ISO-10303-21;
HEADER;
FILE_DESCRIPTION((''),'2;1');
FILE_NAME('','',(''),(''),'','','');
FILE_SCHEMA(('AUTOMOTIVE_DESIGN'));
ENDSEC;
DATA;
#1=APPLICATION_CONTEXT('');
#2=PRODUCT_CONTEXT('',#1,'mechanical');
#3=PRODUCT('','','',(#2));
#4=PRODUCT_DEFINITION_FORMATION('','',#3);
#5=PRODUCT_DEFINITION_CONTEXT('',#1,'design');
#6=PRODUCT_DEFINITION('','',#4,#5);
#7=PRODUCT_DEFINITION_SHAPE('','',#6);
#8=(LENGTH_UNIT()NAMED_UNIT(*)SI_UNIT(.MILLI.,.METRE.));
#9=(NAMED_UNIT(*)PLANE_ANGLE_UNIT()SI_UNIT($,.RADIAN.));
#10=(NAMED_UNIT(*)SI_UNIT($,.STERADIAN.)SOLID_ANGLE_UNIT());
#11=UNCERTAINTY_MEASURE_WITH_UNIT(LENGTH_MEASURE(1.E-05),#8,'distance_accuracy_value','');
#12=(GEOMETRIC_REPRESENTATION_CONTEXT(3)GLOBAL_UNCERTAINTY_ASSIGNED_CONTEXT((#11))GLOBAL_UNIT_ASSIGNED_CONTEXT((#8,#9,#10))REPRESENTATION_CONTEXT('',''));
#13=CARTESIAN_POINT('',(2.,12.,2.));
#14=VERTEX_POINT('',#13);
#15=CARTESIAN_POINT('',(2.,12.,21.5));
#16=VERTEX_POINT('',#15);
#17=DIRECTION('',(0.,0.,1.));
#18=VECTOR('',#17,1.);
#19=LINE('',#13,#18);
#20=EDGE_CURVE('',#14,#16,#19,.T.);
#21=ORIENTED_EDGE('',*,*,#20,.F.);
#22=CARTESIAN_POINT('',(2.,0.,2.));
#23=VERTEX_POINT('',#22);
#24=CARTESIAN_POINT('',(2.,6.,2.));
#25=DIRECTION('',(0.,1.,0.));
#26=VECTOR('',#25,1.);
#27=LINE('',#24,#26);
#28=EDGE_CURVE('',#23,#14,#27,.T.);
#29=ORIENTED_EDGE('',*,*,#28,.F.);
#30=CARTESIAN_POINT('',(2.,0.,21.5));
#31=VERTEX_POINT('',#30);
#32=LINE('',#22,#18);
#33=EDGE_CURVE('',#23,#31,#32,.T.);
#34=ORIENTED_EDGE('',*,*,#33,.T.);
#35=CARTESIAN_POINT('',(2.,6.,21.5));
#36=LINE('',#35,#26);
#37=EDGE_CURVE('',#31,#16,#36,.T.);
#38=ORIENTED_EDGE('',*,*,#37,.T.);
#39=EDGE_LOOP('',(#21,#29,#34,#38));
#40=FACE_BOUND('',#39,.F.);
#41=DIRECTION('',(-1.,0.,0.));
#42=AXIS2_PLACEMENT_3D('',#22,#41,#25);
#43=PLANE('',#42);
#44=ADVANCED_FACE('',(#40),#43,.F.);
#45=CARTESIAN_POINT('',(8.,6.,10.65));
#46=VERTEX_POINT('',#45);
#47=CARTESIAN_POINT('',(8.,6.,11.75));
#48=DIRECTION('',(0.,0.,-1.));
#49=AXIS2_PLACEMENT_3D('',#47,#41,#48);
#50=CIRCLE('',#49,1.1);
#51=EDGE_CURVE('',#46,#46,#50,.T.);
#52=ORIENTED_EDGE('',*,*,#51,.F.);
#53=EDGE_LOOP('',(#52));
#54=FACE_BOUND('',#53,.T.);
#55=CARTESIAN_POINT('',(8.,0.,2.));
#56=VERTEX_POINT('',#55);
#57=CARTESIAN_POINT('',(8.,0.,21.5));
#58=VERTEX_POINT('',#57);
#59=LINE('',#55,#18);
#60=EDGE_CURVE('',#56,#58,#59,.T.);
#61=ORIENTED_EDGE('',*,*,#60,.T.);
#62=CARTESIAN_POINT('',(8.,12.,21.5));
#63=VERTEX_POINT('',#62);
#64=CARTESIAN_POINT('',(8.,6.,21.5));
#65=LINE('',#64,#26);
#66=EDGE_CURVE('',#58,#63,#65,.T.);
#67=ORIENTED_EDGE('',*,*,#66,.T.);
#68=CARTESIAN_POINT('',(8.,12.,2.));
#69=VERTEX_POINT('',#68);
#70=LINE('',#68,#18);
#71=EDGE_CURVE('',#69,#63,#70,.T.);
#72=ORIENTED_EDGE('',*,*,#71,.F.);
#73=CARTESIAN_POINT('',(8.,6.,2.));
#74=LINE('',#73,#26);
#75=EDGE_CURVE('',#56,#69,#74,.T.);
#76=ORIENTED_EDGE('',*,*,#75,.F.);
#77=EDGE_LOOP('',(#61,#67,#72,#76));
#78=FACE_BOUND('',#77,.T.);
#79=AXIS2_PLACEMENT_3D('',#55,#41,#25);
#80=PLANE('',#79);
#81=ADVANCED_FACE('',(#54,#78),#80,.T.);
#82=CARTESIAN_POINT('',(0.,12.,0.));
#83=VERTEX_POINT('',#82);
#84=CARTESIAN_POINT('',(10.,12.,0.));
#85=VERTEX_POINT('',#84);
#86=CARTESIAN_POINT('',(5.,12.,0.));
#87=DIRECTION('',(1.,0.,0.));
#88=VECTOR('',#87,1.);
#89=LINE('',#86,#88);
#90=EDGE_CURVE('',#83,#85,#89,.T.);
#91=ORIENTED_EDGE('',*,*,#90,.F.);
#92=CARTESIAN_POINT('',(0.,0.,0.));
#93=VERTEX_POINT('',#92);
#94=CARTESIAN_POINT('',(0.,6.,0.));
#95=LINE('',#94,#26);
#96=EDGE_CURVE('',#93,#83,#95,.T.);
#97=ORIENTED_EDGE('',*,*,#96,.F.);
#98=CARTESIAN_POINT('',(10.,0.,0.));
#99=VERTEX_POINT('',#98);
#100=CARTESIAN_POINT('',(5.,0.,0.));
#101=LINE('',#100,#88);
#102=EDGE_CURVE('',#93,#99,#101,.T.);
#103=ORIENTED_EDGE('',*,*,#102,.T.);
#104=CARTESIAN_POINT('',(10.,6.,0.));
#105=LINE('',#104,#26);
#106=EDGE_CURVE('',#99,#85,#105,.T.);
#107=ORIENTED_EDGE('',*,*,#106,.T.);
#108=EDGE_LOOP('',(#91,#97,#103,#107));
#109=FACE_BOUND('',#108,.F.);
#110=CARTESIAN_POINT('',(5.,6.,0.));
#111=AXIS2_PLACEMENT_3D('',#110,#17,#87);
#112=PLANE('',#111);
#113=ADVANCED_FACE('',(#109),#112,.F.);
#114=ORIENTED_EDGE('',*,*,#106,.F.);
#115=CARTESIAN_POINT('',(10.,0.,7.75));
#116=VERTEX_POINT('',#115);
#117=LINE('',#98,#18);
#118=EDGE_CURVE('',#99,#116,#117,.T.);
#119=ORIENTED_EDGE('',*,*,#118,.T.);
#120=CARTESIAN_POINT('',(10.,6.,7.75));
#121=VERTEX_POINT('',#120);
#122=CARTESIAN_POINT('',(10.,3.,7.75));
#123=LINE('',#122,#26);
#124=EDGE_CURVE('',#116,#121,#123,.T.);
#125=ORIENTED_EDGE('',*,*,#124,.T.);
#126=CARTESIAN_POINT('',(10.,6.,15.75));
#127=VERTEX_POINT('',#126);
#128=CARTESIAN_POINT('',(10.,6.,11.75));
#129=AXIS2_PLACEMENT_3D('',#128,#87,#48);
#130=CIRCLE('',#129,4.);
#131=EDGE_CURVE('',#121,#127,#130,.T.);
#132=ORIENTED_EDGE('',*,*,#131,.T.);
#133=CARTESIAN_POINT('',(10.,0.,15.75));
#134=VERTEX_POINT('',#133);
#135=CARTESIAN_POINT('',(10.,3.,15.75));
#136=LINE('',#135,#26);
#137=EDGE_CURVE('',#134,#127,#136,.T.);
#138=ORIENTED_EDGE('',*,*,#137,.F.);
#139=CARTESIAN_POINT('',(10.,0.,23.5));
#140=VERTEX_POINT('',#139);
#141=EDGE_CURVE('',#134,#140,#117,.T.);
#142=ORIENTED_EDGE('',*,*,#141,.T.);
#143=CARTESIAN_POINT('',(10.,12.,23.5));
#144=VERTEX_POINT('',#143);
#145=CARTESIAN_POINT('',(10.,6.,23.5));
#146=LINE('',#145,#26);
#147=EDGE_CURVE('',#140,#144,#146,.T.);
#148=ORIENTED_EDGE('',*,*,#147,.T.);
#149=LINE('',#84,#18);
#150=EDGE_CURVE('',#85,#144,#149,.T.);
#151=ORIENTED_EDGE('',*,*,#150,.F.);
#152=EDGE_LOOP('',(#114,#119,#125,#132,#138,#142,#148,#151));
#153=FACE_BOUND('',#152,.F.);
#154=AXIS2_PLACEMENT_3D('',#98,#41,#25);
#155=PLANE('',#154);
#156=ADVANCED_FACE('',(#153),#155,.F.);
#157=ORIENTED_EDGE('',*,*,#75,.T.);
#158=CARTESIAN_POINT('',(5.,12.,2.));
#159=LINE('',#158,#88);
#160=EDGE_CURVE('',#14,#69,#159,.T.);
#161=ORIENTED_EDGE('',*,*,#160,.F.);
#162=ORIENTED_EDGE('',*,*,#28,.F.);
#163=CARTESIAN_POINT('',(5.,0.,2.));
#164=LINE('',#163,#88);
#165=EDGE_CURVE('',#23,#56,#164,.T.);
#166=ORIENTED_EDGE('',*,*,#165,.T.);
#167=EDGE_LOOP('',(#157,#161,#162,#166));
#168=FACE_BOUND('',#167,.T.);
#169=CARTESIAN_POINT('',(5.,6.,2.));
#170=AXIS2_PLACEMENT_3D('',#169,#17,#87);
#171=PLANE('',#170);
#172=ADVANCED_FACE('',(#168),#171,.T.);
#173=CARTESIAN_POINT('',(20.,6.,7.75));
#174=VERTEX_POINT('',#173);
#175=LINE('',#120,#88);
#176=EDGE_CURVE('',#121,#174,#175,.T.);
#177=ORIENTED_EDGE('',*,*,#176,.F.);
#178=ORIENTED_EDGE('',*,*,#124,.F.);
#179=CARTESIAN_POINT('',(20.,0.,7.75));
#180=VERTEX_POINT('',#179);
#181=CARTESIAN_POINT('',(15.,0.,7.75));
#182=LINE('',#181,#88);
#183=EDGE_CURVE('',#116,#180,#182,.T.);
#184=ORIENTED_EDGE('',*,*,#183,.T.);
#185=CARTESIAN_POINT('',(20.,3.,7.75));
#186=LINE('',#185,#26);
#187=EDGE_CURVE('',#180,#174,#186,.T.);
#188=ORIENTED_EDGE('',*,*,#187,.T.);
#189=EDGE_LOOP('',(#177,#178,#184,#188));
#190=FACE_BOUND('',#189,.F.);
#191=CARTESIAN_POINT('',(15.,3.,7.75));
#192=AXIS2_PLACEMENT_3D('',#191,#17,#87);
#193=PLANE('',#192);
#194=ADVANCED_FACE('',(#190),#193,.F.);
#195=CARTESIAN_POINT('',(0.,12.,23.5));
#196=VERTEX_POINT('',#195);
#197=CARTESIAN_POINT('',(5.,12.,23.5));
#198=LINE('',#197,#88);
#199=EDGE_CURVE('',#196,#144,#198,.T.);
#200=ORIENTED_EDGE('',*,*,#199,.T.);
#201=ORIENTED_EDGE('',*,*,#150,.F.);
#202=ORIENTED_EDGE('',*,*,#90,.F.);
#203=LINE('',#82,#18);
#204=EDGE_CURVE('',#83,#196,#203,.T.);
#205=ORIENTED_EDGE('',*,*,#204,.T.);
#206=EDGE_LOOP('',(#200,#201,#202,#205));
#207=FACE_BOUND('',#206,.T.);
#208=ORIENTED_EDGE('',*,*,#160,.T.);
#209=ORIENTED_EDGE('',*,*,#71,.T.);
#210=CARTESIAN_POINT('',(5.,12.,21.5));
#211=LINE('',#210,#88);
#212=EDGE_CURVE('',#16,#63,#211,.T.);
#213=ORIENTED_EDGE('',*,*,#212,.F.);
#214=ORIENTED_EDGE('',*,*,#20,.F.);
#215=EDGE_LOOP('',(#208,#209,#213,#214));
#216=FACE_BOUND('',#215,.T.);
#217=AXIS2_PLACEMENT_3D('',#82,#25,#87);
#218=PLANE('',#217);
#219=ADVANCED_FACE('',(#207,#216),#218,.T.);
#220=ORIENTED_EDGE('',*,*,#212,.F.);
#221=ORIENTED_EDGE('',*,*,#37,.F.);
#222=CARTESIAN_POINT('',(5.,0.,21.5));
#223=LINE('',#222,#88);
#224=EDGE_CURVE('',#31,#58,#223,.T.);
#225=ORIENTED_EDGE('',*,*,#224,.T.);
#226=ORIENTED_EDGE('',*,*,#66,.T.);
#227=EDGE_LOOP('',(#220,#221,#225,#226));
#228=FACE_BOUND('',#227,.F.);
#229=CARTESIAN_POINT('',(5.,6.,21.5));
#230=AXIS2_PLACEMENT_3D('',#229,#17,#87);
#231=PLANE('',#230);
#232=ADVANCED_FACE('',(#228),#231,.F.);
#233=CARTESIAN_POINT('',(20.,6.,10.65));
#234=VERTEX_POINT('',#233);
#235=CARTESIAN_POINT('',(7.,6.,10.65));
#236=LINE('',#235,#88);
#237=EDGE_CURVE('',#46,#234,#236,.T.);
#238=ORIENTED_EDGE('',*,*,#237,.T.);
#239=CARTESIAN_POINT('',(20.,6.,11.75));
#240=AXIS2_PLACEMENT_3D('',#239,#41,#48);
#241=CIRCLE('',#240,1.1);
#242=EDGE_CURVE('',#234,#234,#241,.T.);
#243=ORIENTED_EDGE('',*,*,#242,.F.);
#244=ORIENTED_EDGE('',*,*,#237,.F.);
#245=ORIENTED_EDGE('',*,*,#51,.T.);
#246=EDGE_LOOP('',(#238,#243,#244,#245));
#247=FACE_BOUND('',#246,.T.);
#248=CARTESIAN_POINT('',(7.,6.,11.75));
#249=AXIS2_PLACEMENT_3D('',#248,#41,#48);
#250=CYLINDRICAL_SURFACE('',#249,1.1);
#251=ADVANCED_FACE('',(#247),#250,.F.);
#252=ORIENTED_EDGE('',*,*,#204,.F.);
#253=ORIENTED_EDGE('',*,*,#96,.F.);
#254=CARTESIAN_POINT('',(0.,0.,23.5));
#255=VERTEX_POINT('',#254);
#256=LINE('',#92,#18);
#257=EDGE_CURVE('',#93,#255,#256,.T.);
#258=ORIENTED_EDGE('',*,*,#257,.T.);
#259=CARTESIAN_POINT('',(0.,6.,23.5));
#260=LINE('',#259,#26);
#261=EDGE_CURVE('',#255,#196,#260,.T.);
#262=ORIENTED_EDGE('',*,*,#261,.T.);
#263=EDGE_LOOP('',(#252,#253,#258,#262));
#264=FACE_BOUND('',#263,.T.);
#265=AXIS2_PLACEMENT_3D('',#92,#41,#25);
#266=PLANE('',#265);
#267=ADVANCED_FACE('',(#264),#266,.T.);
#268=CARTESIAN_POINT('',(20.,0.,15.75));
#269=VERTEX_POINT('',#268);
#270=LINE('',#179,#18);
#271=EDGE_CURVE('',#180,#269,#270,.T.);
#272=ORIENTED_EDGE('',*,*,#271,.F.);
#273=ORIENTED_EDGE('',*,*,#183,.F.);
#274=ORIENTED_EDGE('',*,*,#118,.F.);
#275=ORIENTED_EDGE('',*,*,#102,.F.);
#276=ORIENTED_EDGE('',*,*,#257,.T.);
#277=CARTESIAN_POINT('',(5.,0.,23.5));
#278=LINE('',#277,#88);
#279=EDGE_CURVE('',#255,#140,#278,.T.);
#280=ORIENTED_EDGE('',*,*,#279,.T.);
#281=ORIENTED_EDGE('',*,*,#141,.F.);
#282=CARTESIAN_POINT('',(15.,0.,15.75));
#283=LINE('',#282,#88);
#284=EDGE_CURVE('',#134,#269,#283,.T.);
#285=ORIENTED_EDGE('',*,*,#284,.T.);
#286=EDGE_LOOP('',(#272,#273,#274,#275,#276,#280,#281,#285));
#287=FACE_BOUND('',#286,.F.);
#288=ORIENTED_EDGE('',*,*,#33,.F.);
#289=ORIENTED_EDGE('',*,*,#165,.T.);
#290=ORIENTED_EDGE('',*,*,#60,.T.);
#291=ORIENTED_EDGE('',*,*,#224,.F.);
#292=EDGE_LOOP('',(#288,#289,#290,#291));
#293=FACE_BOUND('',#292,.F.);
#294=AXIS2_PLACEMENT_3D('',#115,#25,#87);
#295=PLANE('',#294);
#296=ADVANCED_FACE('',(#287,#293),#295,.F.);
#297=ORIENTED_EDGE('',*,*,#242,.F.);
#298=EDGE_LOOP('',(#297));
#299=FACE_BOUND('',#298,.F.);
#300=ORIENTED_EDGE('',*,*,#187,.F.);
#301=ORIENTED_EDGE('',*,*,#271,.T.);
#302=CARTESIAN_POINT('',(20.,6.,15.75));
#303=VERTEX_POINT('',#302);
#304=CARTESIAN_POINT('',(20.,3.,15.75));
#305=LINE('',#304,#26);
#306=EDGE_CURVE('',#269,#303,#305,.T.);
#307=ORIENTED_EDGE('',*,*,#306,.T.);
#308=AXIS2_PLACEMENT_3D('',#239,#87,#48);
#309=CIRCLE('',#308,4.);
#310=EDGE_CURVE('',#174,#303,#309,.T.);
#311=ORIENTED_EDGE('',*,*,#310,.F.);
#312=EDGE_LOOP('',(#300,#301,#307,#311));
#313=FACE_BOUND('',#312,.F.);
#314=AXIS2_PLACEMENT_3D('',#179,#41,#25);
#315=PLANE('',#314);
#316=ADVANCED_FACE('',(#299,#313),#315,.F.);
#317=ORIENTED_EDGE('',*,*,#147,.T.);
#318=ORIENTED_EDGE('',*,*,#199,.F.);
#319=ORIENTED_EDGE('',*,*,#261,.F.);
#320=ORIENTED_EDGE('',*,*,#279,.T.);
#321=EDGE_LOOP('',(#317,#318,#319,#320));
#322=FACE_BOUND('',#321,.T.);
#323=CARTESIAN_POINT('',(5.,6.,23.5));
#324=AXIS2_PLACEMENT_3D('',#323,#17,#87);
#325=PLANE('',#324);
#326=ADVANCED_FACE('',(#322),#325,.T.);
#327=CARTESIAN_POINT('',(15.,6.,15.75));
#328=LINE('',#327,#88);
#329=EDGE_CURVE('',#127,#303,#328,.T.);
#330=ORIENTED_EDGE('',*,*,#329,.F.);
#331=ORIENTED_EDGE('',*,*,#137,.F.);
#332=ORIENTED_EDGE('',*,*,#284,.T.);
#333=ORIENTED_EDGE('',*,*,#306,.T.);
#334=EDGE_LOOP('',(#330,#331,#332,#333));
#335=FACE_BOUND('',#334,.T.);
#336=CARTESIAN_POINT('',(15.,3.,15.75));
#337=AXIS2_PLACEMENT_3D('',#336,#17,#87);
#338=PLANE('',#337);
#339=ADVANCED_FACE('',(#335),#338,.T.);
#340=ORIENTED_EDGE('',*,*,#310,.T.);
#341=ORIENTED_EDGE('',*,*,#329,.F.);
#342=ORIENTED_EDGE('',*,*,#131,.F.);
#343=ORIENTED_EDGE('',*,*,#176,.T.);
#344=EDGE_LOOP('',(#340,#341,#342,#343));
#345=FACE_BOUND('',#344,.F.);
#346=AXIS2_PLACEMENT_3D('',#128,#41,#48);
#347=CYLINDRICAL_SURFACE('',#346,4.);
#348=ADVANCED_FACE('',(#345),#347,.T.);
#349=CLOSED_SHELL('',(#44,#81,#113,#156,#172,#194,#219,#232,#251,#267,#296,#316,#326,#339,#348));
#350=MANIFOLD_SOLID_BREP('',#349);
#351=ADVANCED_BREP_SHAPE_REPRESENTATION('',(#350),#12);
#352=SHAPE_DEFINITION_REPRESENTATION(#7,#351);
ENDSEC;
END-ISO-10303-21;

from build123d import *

# Parameters (mm, degrees)
CYLINDER001_R           = 1.1
CYLINDER001_DEPTH       = 15
CYLINDER001_PITCH_ANGLE = 90
BOX002_W                = 10
BOX002_H                = 6
BOX002_DEPTH            = 8
CYLINDER_R              = 4
CYLINDER_DEPTH          = 10
CYLINDER_PITCH_ANGLE    = 90
BOX001_W                = 6
BOX001_H                = 12
BOX001_DEPTH            = 19.5
BOX_W                   = 10
BOX_H                   = 12
BOX_DEPTH               = 23.5


with BuildPart() as cylinder001:
    # Cylinder001 → Cylinder001 (new body)
    with BuildSketch(Plane.XY):
        Circle(CYLINDER001_R)
    extrude(amount=CYLINDER001_DEPTH)


with BuildPart() as cylinder001_1:
    # Cylinder001 pitch: moved
    add(cylinder001.part.rotate(Axis((0, 0, 0), (0, 1, 0)), CYLINDER001_PITCH_ANGLE))


with BuildPart() as cylinder001_2:
    # Cylinder001 placement: moved
    add(cylinder001_1.part.moved(Location((7, 6, 11.75))))


with BuildPart() as cube002:
    # Box002 → Box002 (new body)
    with BuildSketch(Plane(origin=(10, 0, 7.75), x_dir=(1, 0, 0), z_dir=(0, 0, 1))):
        with Locations((5, 3)):
            Rectangle(BOX002_W, BOX002_H)
    extrude(amount=BOX002_DEPTH)


with BuildPart() as cylinder:
    # Cylinder → Cylinder (new body)
    with BuildSketch(Plane.XY):
        Circle(CYLINDER_R)
    extrude(amount=CYLINDER_DEPTH)


with BuildPart() as cylinder_1:
    # Cylinder pitch: moved
    add(cylinder.part.rotate(Axis((0, 0, 0), (0, 1, 0)), CYLINDER_PITCH_ANGLE))


with BuildPart() as cylinder_2:
    # Cylinder placement: moved
    add(cylinder_1.part.moved(Location((10, 6, 11.75))))


with BuildPart() as cube001:
    # Box001 → Box001 (new body)
    with BuildSketch(Plane(origin=(2, 0, 2), x_dir=(1, 0, 0), z_dir=(0, 0, 1))):
        with Locations((3, 6)):
            Rectangle(BOX001_W, BOX001_H)
    extrude(amount=BOX001_DEPTH)


with BuildPart() as cut001:
    # Box → Box (new body)
    with BuildSketch(Plane.XY):
        with Locations((5, 6)):
            Rectangle(BOX_W, BOX_H)
    extrude(amount=BOX_DEPTH)

    # Cut: cut Cube001
    add(cube001.part, mode=Mode.SUBTRACT)

    # Fusion: union Cylinder
    add(cylinder_2.part)

    # Fusion001: union Cube002
    add(cube002.part)

    # Cut001: cut Cylinder001
    add(cylinder001_2.part, mode=Mode.SUBTRACT)


solid = cut001.part
